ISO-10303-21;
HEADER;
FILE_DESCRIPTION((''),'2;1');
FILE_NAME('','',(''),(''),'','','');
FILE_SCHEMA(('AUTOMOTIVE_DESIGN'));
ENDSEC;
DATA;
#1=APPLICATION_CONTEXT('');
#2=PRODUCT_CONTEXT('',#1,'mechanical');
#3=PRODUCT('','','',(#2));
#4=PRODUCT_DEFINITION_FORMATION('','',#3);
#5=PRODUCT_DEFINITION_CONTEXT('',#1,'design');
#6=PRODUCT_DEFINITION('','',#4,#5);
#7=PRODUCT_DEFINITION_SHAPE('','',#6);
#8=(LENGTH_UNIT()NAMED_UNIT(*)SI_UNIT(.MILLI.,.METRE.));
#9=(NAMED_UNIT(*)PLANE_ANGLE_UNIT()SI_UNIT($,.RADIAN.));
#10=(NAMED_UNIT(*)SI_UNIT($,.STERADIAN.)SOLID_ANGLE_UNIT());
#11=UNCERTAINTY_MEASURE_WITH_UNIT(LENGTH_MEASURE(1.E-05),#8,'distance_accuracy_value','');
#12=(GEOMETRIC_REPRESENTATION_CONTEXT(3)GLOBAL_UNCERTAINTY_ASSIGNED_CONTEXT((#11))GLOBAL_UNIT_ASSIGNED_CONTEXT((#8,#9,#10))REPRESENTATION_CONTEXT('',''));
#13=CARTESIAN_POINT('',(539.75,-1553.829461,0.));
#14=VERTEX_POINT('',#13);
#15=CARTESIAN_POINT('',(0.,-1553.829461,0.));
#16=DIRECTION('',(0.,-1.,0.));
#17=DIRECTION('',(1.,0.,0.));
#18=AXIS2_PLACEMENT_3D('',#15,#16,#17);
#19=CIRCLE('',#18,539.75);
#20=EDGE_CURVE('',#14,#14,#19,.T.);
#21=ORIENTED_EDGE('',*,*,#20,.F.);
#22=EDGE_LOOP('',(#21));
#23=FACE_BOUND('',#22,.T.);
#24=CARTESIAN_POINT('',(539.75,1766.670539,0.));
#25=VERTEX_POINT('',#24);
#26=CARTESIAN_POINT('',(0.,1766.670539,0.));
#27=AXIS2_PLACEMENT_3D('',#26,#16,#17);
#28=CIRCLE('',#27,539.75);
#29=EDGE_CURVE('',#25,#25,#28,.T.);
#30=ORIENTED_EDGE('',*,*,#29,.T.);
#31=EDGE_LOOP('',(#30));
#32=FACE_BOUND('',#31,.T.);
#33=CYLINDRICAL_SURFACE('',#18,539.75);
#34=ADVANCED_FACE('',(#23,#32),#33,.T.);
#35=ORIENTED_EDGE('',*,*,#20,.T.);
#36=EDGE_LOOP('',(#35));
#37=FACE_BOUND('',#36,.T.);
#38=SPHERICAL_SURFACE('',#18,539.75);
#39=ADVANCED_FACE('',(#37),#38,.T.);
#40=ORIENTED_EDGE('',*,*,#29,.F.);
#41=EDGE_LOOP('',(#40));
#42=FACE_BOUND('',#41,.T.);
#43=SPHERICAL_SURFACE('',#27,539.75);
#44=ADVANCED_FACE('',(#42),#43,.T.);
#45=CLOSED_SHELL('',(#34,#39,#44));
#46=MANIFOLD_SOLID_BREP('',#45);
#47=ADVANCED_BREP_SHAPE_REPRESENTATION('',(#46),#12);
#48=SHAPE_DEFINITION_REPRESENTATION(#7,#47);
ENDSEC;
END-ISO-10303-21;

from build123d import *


with BuildPart() as part:
    # Sketch1 → Revolve1 (revolve)
    with BuildSketch(Plane.XY):
        with BuildLine():
            Line((0, 1766.670539033), (0, 2306.420539033))
            ThreePointArc((0, 2306.420539033), (381.660885145, 2148.331424179), (539.75, 1766.670539033))
            Line((539.75, 1766.670539033), (539.75, -1553.829460967))
            ThreePointArc((539.75, -1553.829460967), (381.660885145, -1935.490346112), (0, -2093.579460967))
            Line((0, -2093.579460967), (0, -1553.829460967))
            Line((0, -1553.829460967), (0, 1766.670539033))
        make_face()
    revolve(axis=Axis((0, -1553.829460967, 0), (0, 1, 0)))


solid = part.part
